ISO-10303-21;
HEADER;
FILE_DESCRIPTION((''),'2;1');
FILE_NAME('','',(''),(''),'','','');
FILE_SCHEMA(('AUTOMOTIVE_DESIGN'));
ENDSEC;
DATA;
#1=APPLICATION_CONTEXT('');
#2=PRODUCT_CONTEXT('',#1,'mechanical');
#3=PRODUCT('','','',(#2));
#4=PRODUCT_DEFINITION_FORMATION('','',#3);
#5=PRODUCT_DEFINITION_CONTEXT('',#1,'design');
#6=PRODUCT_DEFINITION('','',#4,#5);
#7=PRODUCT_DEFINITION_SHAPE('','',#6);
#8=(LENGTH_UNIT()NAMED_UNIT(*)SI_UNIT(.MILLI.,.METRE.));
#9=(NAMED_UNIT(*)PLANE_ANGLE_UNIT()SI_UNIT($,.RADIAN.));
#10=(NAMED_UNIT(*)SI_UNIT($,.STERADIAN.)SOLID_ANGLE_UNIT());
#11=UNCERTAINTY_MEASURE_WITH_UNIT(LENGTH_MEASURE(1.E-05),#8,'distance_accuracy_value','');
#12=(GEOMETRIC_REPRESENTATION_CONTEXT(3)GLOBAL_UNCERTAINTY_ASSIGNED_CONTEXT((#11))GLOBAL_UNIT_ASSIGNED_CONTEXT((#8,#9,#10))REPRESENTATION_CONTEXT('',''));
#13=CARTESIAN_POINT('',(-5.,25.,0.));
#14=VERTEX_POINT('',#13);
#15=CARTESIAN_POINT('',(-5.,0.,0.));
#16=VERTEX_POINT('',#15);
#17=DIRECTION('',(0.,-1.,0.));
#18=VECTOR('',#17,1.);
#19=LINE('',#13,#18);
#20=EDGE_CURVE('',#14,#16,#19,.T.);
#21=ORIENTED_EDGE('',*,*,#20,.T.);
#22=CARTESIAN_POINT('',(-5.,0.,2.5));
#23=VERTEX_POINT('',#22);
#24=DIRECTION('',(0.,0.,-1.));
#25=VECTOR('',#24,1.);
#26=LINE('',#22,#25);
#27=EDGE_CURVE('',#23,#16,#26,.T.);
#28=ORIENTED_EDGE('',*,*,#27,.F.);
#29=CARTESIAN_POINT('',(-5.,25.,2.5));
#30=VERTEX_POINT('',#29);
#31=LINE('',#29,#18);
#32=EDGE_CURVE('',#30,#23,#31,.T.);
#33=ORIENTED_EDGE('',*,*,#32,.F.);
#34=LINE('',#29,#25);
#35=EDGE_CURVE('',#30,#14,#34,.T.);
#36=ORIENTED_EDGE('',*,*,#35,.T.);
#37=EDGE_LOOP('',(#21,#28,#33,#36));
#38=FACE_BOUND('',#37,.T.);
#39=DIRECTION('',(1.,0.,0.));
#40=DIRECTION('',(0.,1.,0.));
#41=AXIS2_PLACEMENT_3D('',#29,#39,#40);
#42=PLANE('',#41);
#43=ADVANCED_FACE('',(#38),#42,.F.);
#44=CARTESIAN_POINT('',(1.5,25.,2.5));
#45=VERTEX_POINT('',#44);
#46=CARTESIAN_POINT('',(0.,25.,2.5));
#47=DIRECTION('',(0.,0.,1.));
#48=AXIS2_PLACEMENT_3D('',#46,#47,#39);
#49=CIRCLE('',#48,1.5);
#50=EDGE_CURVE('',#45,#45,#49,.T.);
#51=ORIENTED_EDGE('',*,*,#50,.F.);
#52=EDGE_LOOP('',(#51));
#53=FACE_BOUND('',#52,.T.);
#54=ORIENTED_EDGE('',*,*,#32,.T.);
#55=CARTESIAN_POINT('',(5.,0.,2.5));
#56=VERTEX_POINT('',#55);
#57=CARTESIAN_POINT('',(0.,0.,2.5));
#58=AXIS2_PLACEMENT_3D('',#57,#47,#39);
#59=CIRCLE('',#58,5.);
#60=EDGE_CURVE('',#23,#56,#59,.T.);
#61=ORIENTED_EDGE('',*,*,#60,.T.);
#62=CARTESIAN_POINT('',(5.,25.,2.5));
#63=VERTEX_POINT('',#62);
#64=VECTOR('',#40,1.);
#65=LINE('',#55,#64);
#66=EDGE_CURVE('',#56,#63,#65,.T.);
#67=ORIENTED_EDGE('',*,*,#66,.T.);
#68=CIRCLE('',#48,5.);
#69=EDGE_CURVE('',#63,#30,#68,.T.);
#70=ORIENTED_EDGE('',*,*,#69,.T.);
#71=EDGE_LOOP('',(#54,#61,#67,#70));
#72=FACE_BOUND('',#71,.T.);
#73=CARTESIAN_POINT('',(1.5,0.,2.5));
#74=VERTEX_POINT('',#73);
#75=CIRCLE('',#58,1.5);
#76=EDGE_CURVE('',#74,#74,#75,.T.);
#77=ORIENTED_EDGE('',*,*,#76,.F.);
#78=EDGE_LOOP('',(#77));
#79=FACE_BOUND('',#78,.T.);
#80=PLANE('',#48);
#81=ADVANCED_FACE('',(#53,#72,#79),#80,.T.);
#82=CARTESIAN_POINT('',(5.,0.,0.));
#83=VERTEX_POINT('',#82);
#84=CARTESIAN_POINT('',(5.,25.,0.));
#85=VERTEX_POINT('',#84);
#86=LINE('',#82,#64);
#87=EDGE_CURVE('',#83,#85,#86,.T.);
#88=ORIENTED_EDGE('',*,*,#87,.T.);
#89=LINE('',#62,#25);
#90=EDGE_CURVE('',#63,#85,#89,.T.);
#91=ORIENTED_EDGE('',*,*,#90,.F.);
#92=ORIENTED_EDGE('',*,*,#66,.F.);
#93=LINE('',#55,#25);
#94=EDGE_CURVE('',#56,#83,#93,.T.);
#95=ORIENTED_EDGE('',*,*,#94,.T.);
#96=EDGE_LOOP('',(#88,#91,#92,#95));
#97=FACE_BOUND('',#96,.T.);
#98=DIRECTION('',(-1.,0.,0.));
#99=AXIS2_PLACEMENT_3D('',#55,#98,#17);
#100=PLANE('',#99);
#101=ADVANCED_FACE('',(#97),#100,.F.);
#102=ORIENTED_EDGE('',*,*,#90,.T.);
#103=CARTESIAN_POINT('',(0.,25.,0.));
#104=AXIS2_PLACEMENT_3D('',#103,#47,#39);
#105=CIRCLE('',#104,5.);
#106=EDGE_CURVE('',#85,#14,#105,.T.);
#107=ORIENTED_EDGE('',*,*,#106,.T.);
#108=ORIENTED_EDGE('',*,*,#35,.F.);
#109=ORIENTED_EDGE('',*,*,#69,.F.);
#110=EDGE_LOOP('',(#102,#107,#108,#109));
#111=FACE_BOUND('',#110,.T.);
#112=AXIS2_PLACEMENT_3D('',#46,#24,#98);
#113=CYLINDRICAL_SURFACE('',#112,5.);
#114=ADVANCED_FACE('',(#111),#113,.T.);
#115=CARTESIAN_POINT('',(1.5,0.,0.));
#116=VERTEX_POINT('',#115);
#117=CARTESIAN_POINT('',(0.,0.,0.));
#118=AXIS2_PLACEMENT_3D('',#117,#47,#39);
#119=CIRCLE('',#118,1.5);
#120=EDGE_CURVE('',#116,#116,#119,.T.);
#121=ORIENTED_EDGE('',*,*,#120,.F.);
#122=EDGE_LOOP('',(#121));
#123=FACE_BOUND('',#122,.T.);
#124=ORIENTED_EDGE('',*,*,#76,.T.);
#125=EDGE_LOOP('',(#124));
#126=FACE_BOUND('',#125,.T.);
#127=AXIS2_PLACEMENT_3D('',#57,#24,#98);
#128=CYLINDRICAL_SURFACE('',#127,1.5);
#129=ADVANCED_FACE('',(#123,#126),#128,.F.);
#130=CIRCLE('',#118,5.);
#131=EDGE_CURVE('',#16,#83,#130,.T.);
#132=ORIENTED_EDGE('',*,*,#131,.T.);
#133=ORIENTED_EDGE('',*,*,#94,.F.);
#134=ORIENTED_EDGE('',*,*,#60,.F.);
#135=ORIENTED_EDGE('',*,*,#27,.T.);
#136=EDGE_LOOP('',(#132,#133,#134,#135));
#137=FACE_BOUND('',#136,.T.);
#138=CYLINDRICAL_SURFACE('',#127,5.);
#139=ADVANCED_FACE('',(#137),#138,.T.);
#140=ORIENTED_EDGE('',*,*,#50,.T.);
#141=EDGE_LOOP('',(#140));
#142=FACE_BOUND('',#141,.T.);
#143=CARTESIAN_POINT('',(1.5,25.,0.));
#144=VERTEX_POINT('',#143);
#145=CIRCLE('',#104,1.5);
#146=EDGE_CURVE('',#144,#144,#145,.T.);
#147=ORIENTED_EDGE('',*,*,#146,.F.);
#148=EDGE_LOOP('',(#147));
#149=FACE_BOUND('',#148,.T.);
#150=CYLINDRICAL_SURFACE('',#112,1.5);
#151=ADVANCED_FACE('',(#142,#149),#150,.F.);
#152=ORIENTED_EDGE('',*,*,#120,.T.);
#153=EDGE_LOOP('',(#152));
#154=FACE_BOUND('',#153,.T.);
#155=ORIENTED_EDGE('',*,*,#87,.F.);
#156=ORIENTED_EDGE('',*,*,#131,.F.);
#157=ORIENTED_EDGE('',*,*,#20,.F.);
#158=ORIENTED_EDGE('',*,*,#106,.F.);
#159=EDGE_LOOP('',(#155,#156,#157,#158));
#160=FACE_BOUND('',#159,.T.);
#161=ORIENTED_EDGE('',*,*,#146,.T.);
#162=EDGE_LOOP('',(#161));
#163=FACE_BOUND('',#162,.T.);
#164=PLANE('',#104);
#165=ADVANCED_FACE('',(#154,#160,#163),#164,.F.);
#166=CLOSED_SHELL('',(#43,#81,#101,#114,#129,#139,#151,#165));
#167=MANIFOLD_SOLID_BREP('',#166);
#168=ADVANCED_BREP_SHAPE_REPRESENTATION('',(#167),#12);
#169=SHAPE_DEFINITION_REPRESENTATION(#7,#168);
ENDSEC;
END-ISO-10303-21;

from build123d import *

# Parameters (mm, degrees)
CROQUIS1_R              = 1.5
SALIENTE_EXTRUIR1_DEPTH = 2.5


with BuildPart() as part:
    # Croquis1 → Saliente-Extruir1 (new body)
    with BuildSketch(Plane.XY):
        with BuildLine():
            Line((-5, 25), (-5, 0))
            ThreePointArc((-5, 0), (0, -5), (5, 0))
            Line((5, 0), (5, 25))
            ThreePointArc((5, 25), (0, 30), (-5, 25))
        make_face()
        Circle(CROQUIS1_R, mode=Mode.SUBTRACT)
        with Locations((0, 25)):
            Circle(CROQUIS1_R, mode=Mode.SUBTRACT)
    extrude(amount=SALIENTE_EXTRUIR1_DEPTH)


solid = part.part
